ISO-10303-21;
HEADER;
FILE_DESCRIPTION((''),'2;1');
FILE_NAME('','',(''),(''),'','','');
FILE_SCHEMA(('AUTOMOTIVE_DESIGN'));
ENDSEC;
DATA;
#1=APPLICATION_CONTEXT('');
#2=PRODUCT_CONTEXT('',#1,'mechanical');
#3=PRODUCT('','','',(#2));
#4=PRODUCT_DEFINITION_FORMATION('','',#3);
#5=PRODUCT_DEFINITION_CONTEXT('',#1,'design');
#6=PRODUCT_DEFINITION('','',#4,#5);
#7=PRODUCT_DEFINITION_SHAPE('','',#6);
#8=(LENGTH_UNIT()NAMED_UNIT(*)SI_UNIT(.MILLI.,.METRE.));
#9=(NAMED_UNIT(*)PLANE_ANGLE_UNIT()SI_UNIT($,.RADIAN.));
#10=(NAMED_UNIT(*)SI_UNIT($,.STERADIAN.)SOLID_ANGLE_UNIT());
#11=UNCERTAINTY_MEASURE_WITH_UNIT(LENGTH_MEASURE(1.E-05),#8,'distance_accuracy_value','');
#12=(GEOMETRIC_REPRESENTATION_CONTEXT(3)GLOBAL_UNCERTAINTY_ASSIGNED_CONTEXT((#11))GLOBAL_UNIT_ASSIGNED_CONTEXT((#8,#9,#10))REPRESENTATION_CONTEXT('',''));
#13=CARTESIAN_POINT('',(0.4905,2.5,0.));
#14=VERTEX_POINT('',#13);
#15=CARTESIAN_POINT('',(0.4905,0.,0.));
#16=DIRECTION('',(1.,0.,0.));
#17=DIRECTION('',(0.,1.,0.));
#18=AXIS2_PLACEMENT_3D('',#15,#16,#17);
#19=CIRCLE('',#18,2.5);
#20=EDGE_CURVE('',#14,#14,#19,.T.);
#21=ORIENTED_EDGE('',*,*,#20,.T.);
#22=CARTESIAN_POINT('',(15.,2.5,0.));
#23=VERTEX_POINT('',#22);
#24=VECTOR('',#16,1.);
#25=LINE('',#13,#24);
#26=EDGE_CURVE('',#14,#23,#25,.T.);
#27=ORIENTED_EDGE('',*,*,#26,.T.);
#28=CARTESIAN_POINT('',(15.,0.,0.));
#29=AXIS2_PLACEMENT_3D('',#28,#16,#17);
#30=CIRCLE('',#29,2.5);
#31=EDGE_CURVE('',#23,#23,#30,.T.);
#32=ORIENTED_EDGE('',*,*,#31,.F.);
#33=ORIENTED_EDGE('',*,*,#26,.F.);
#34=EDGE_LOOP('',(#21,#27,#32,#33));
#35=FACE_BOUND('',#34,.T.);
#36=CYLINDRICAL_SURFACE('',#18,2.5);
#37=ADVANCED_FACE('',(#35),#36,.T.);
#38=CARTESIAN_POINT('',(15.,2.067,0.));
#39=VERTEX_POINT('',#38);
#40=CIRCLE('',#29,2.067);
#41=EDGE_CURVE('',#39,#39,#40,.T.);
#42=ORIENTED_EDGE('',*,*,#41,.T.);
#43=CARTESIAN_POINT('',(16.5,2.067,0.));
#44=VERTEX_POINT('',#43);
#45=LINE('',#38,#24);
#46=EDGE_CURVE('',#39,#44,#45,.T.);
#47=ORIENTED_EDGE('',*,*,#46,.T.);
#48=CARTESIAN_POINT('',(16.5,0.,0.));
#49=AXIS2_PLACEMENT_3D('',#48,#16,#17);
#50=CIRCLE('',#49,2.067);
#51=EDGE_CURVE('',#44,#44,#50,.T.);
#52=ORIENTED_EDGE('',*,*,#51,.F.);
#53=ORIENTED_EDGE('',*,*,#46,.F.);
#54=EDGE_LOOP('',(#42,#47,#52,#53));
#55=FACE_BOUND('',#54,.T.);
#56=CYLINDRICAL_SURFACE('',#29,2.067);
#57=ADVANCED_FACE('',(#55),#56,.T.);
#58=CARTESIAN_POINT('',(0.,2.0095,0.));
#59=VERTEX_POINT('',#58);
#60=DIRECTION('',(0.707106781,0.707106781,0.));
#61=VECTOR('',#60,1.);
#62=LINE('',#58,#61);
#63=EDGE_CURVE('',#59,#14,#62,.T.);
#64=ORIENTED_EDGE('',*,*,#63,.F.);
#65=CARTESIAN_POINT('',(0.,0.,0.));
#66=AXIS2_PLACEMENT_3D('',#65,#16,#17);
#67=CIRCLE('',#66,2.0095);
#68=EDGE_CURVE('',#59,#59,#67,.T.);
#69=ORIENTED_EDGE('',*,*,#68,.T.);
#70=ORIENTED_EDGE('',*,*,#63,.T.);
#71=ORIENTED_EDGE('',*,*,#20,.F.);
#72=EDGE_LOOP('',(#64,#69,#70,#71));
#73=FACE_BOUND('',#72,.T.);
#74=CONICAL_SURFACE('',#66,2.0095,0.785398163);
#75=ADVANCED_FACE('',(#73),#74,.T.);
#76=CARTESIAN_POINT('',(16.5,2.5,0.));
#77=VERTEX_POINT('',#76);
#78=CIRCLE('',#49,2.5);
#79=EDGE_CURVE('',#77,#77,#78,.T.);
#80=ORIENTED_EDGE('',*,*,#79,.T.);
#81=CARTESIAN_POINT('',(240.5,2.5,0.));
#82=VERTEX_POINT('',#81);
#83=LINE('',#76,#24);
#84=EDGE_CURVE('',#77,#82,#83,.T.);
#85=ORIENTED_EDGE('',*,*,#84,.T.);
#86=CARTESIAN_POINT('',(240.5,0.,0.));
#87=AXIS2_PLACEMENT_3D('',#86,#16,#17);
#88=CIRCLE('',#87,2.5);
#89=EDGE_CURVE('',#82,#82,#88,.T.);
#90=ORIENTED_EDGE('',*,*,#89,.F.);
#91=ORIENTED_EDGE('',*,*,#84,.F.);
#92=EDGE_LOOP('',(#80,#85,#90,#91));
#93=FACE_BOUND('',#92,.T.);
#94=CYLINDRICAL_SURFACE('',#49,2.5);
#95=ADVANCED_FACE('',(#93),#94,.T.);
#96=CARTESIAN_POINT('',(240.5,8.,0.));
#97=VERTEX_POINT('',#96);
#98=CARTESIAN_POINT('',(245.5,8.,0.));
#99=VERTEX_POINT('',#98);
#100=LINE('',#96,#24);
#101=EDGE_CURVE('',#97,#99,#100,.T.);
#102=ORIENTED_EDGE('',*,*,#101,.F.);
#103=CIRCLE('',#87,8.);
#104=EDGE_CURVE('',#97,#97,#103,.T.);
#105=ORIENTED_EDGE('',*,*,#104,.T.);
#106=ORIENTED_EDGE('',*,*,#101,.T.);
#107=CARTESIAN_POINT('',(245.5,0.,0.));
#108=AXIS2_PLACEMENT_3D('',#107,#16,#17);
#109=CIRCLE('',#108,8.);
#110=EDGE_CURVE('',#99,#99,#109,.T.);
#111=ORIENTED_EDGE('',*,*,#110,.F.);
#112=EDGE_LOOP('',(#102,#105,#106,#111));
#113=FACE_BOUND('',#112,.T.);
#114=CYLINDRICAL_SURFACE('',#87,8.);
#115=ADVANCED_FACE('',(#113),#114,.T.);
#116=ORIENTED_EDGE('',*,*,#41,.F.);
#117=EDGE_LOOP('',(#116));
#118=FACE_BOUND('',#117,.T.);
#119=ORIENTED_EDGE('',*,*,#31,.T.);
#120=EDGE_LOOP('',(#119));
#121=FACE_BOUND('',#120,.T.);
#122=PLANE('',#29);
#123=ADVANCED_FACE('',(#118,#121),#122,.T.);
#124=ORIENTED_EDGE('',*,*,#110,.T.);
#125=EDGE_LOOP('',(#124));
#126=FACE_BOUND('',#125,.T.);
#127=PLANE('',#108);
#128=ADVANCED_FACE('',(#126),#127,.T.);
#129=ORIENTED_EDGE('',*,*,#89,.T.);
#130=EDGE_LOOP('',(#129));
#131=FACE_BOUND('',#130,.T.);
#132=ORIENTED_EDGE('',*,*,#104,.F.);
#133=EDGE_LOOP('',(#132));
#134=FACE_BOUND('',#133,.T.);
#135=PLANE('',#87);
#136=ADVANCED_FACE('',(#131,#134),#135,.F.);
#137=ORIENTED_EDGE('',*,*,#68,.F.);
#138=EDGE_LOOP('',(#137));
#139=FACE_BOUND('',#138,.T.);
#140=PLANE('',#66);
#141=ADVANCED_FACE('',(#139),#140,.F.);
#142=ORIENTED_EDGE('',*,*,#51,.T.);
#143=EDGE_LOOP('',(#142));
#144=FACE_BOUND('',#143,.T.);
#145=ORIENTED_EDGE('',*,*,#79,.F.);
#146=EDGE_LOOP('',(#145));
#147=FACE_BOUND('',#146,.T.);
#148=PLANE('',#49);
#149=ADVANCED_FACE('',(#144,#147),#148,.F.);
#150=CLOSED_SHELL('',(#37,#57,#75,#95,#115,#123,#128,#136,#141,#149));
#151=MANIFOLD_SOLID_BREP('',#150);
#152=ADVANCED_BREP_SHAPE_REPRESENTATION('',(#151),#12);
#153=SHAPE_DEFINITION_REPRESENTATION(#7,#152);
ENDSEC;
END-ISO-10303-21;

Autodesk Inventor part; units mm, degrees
sketch "Sketch_5" plane through (0, 0, 0) normal (0, 0, 1) x (1, 0, 0)
  line L0 (245.5, 0) -> (0, 0)
  line L1 (0, 0) -> (0, 2.0095)
  line L2 (0, 2.0095) -> (0.4905, 2.5)
  line L3 (0.4905, 2.5) -> (15, 2.5)
  line L4 (15, 2.5) -> (15, 2.067)
  line L5 (15, 2.067) -> (16.5, 2.067)
  line L6 (16.5, 2.067) -> (16.5, 2.5)
  line L7 (16.5, 2.5) -> (240.5, 2.5)
  line L8 (240.5, 2.5) -> (240.5, 8)
  line L9 (240.5, 8) -> (245.5, 8)
  line L10 (245.5, 8) -> (245.5, 0)
  line L11 (245.5, 0) -> (0, 0)
revolve "Revolution1" add sketch "Sketch_5" angle 360 about axis through (245.5, 0, 0) along (1, 0, 0)
thread "Thread1" size "M5x0.8" class "6g" standard "ISO Metric profile" full length
ref_plane "ROD_BA_XY" through (10, 0, 0) normal (-1, 0, 0) x (0, 0, -1)
ref_plane "ROD_BA_YZ" through (10, 0, 0) normal (0, 0, -1) x (0, -1, 0)
ref_plane "ROD_BA_ZX" through (10, 0, 0) normal (0, -1, 0) x (-1, 0, 0)
ref_plane "ROD_BODY_XY" through (28, 0, 0) normal (-1, 0, 0) x (0, 0, -1)
ref_plane "ROD_BODY_YZ" through (28, 0, 0) normal (0, 0, -1) x (0, -1, 0)
ref_plane "ROD_BODY_ZX" through (28, 0, 0) normal (0, -1, 0) x (-1, 0, 0)
ref_plane "rodnt1_XY" through (7.5, 0, 0) normal (1, 0, 0) x (0, 0, -1)
ref_plane "rodnt1_YZ" through (7.5, 0, 0) normal (0, 0, -1) x (0, 1, 0)
ref_plane "rodnt1_ZX" through (7.5, 0, 0) normal (0, 1, 0) x (1, 0, 0)
properties part number "CJ2D16-200Z_ROD"
